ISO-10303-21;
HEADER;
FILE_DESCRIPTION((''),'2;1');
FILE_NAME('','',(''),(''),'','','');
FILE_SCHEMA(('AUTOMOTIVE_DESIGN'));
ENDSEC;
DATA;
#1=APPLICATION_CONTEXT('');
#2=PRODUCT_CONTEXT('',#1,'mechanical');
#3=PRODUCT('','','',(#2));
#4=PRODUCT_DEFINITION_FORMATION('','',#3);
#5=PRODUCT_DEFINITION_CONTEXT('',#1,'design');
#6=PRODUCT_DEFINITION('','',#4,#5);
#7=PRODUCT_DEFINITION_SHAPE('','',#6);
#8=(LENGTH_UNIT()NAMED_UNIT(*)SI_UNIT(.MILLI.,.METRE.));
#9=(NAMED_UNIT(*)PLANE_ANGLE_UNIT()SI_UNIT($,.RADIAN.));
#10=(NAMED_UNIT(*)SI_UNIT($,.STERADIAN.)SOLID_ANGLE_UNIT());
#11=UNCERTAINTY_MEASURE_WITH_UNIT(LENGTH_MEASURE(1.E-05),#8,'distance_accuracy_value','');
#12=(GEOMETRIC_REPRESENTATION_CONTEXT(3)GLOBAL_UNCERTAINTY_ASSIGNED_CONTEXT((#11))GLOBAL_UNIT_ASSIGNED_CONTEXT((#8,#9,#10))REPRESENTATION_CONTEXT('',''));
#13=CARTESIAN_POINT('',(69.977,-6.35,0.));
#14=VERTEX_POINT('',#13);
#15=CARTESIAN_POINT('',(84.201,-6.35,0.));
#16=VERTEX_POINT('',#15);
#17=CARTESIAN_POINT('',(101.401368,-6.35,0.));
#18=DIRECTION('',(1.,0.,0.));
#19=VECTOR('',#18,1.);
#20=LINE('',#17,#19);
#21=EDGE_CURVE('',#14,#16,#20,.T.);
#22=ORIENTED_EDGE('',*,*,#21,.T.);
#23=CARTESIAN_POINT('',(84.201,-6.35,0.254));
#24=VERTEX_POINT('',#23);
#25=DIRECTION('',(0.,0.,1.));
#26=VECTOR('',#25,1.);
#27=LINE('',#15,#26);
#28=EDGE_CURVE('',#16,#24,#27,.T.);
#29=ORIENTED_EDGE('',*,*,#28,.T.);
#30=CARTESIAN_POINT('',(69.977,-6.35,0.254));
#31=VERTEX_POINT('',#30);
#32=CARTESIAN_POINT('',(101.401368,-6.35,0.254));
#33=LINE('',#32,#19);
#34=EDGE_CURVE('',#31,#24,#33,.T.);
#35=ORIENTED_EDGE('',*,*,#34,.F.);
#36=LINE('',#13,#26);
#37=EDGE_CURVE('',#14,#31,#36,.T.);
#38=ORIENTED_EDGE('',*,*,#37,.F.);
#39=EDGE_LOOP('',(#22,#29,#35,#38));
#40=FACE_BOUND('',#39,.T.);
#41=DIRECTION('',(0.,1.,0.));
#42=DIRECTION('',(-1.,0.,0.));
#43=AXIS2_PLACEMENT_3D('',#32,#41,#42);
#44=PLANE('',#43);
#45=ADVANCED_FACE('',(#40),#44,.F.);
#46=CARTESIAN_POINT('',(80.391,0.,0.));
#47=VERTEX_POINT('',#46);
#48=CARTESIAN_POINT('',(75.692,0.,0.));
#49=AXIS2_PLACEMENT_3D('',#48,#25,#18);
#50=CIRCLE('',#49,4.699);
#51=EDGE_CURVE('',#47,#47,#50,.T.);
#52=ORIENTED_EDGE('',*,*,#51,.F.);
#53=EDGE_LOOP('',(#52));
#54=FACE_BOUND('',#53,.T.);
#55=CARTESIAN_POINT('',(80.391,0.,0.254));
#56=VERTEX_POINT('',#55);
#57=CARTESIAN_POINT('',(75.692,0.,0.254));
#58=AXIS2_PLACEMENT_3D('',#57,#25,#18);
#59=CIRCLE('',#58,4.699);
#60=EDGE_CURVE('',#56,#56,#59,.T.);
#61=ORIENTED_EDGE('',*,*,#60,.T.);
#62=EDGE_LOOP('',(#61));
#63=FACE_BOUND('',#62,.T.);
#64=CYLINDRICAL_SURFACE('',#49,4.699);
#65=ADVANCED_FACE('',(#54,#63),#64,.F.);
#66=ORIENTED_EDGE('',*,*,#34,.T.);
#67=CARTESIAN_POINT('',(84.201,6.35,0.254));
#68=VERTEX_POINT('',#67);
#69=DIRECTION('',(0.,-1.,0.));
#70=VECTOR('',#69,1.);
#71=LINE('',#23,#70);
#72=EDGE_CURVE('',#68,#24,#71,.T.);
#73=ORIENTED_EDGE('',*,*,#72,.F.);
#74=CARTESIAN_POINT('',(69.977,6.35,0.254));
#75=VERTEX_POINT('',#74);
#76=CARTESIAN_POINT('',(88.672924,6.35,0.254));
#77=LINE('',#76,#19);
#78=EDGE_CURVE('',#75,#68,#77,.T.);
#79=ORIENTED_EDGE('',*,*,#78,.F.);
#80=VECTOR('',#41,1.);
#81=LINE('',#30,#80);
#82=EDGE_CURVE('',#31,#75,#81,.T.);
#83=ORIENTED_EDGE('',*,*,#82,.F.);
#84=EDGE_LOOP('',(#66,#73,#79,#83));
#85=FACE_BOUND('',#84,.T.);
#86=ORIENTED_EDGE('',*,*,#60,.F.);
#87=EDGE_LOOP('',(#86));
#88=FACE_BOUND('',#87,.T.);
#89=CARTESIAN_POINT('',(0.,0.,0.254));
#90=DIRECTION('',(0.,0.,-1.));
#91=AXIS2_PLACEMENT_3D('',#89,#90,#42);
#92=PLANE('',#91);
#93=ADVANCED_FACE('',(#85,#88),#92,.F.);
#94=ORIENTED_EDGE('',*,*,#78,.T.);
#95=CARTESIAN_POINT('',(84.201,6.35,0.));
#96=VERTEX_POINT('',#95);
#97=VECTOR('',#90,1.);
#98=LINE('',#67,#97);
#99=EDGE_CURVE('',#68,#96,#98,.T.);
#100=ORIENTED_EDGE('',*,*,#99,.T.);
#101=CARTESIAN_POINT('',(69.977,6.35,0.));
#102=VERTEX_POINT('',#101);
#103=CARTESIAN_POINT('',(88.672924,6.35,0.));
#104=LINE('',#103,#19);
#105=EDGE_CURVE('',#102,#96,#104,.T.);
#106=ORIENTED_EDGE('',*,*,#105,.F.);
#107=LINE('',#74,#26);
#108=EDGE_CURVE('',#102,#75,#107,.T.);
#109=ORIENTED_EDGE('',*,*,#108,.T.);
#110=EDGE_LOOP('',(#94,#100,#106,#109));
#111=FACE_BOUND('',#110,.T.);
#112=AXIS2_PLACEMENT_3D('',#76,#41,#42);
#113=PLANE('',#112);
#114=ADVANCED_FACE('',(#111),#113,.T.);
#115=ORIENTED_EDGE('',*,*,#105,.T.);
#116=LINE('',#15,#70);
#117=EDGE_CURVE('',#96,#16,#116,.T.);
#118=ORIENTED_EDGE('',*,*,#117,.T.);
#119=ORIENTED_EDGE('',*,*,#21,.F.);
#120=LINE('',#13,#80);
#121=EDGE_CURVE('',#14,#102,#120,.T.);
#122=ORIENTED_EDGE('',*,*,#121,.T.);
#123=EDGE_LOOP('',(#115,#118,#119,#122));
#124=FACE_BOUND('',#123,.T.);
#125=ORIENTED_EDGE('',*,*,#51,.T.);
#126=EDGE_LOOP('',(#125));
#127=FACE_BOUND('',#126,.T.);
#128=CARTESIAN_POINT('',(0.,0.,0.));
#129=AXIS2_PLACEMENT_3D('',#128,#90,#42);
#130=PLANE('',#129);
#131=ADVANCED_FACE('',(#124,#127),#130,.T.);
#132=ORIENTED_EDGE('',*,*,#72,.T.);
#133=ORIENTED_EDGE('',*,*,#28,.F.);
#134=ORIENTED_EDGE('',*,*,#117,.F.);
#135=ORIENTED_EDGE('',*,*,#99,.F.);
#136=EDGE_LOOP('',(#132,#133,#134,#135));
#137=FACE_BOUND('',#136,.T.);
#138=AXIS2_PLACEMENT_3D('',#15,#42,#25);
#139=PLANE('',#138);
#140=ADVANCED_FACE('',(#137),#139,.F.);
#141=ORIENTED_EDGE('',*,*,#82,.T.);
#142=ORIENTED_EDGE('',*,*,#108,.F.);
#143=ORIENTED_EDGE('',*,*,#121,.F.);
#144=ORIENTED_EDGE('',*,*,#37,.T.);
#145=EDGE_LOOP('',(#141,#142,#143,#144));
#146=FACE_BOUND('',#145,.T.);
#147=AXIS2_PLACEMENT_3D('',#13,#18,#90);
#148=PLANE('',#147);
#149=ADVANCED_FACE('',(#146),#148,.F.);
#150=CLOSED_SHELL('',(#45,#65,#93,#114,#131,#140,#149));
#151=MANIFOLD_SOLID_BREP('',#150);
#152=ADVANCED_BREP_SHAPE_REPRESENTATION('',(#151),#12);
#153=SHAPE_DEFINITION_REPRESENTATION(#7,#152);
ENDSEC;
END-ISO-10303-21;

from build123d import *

# Parameters (mm, degrees)
BOSS_EXTRUDE1_DEPTH = 0.254
SKETCH2_R           = 4.699
CUT_EXTRUDE1_DEPTH  = 1.254
SKETCH3_W           = 2.54
SKETCH3_H           = 0.635
CUT_EXTRUDE2_DEPTH  = 1.254
SKETCH5_OUTSIDE_W   = 121.447
SKETCH5_OUTSIDE_H   = 109.618
SKETCH5_OUTSIDE_W_2 = 14.224
SKETCH5_OUTSIDE_H_2 = 15.24
CUT_EXTRUDE5_DEPTH  = 1.254


with BuildPart() as part:
    # Sketch1 → Boss-Extrude1 (new body)
    with BuildSketch(Plane.XY):
        with BuildLine():
            Line((67.21146711, 76.191723231), (8.696654013, 17.676910134))
            Line((8.696654013, 17.676910134), (7.228954972, 14.133571205))
            ThreePointArc((7.228954972, 14.133571205), (14.666587579, 6.075099489), (15.105587123, -4.88230096))
            Line((15.105587123, -4.88230096), (18.648926052, -6.35))
            Line((18.648926052, -6.35), (101.401368334, -6.35))
            ThreePointArc((101.401368334, -6.35), (93.866160503, 38.880636728), (67.21146711, 76.191723231))
        make_face()
        with BuildLine():
            Line((88.672924278, 6.35), (27.86051193, 6.35))
            ThreePointArc((27.86051193, 6.35), (26.399857642, 10.93517908), (24.190484974, 15.210228852))
            Line((24.190484974, 15.210228852), (67.191354125, 58.211098004))
            ThreePointArc((67.191354125, 58.211098004), (82.13289044, 34.020557137), (88.672924278, 6.35))
        make_face(mode=Mode.SUBTRACT)
    extrude(amount=BOSS_EXTRUDE1_DEPTH)

    # Sketch2 → Cut-Extrude1 (cut, through all)
    with BuildSketch(Plane.XY.offset(0.254)):
        with Locations((22.225, 0)):
            Circle(SKETCH2_R)
        with Locations((36.195, 0)):
            Circle(SKETCH2_R)
        with Locations((61.722, 0)):
            Circle(SKETCH2_R)
        with Locations((75.692, 0)):
            Circle(SKETCH2_R)
        with Locations((95.25, 0)):
            Circle(SKETCH2_R)
        with Locations((15.715448212, 15.715448212)):
            Circle(SKETCH2_R)
        with Locations((25.593729945, 25.593729945)):
            Circle(SKETCH2_R)
        with Locations((43.644044748, 43.644044748)):
            Circle(SKETCH2_R)
        with Locations((53.522326482, 53.522326482)):
            Circle(SKETCH2_R)
        with Locations((92.004434954, 24.652514046)):
            Circle(SKETCH2_R)
        with Locations((82.48891971, 47.625)):
            Circle(SKETCH2_R)
        with Locations((67.351920908, 67.351920908)):
            Circle(SKETCH2_R)
    extrude(amount=-CUT_EXTRUDE1_DEPTH, mode=Mode.SUBTRACT)

    # Sketch3 → Cut-Extrude2 (cut, through all)
    with BuildSketch(Plane.XY.offset(0.254)):
        Polygon((15.266435406, 24.246691527), (17.06248663, 26.042742751), (17.511499436, 25.593729945), (15.715448212, 23.797678721), align=None)
        Polygon((44.991083167, 53.971339288), (43.195031942, 52.175288063), (43.644044748, 51.726275257), (45.440095973, 53.522326482), align=None)
        with Locations((29.21, -6.0325)):
            Rectangle(SKETCH3_W, SKETCH3_H)
        with Locations((68.707, -6.0325)):
            Rectangle(SKETCH3_W, SKETCH3_H)
        Polygon((29.230733674, 38.210989795), (31.026784898, 40.007041019), (31.475797704, 39.558028213), (29.67974648, 37.761976989), align=None)
        Polygon((56.845021246, 65.825277367), (55.048970022, 64.029226143), (55.497982828, 63.580213337), (57.294034052, 65.376264561), align=None)
        with Locations((48.9585, -6.0325)):
            Rectangle(SKETCH3_W, SKETCH3_H)
        with Locations((85.471, -6.0325)):
            Rectangle(SKETCH3_W, SKETCH3_H)
        Polygon((99.935462164, 14.437711971), (100.266998693, 11.919442024), (101.526133667, 12.085210288), (101.194597138, 14.603480236), align=None)
        Polygon((93.765504959, 37.464305742), (94.938831965, 37.950313702), (93.966816047, 40.296967714), (92.793489041, 39.810959755), align=None)
        Polygon((79.327792988, 62.471156422), (80.874047017, 60.456038938), (81.88160576, 61.229165953), (80.33535173, 63.244283437), align=None)
        Polygon((13.593916116, 7.005422516), (14.565932035, 4.658768503), (15.739259041, 5.144776462), (14.767243123, 7.491430475), align=None)
    extrude(amount=-CUT_EXTRUDE2_DEPTH, mode=Mode.SUBTRACT)

    # Sketch5 outside → Cut-Extrude5 (cut, through all)
    with BuildSketch(Plane.XY.offset(0.254)):
        with Locations((54.4145, 34.921)):
            Rectangle(SKETCH5_OUTSIDE_W, SKETCH5_OUTSIDE_H)
        with Locations((77.089, 0)):
            Rectangle(SKETCH5_OUTSIDE_W_2, SKETCH5_OUTSIDE_H_2, mode=Mode.SUBTRACT)
    extrude(amount=-CUT_EXTRUDE5_DEPTH, mode=Mode.SUBTRACT)


solid = part.part
